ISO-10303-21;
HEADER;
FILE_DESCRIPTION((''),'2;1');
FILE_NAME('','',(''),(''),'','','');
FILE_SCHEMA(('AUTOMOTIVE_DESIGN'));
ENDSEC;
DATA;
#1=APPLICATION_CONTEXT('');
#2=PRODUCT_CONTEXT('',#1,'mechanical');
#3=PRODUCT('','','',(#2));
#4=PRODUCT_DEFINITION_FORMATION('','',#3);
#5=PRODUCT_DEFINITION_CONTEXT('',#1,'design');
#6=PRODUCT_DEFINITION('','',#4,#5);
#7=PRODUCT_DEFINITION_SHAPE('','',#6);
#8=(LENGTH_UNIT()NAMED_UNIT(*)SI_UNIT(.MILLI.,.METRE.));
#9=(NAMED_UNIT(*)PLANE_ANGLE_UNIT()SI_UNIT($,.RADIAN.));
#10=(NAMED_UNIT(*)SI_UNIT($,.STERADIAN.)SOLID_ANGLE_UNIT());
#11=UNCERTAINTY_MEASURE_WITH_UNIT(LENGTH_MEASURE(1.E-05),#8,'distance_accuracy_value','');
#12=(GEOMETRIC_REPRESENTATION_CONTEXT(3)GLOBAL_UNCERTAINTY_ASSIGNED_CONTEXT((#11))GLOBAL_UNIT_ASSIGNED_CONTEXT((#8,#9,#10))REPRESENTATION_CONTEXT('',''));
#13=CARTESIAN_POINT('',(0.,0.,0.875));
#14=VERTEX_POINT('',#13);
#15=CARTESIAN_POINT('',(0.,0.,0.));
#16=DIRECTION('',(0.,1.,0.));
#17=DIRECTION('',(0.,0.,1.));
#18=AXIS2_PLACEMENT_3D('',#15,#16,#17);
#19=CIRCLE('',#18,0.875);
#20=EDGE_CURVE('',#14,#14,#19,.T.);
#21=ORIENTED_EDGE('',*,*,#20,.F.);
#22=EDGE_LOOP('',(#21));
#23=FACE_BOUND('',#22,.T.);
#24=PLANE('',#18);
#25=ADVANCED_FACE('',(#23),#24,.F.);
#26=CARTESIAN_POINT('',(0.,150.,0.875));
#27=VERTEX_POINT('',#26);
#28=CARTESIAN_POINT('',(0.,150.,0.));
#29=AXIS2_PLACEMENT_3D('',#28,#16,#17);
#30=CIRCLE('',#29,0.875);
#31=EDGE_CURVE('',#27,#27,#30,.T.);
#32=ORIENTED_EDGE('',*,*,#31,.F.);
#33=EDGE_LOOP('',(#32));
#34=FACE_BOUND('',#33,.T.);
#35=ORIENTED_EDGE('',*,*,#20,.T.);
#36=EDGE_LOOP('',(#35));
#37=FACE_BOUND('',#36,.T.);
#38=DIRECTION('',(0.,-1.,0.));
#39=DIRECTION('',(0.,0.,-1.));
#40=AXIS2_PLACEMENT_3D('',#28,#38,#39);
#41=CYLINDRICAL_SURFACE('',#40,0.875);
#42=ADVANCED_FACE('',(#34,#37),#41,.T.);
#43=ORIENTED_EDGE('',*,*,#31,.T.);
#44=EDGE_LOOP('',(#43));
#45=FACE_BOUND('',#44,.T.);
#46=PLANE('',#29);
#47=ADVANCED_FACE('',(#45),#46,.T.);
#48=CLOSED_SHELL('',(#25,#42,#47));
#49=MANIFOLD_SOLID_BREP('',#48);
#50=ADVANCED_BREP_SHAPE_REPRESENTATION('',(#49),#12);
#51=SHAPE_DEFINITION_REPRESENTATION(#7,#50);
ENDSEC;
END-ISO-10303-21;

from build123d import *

# Parameters (mm, degrees)
CROQUIS2_R              = 0.875
SALIENTE_EXTRUIR1_DEPTH = 150


with BuildPart() as part:
    # Croquis2 → Saliente-Extruir1 (new body)
    with BuildSketch(Plane(origin=(0, 0, 0), x_dir=(1, 0, 0), z_dir=(0, 1, 0))):
        Circle(CROQUIS2_R)
    extrude(amount=SALIENTE_EXTRUIR1_DEPTH)


solid = part.part
